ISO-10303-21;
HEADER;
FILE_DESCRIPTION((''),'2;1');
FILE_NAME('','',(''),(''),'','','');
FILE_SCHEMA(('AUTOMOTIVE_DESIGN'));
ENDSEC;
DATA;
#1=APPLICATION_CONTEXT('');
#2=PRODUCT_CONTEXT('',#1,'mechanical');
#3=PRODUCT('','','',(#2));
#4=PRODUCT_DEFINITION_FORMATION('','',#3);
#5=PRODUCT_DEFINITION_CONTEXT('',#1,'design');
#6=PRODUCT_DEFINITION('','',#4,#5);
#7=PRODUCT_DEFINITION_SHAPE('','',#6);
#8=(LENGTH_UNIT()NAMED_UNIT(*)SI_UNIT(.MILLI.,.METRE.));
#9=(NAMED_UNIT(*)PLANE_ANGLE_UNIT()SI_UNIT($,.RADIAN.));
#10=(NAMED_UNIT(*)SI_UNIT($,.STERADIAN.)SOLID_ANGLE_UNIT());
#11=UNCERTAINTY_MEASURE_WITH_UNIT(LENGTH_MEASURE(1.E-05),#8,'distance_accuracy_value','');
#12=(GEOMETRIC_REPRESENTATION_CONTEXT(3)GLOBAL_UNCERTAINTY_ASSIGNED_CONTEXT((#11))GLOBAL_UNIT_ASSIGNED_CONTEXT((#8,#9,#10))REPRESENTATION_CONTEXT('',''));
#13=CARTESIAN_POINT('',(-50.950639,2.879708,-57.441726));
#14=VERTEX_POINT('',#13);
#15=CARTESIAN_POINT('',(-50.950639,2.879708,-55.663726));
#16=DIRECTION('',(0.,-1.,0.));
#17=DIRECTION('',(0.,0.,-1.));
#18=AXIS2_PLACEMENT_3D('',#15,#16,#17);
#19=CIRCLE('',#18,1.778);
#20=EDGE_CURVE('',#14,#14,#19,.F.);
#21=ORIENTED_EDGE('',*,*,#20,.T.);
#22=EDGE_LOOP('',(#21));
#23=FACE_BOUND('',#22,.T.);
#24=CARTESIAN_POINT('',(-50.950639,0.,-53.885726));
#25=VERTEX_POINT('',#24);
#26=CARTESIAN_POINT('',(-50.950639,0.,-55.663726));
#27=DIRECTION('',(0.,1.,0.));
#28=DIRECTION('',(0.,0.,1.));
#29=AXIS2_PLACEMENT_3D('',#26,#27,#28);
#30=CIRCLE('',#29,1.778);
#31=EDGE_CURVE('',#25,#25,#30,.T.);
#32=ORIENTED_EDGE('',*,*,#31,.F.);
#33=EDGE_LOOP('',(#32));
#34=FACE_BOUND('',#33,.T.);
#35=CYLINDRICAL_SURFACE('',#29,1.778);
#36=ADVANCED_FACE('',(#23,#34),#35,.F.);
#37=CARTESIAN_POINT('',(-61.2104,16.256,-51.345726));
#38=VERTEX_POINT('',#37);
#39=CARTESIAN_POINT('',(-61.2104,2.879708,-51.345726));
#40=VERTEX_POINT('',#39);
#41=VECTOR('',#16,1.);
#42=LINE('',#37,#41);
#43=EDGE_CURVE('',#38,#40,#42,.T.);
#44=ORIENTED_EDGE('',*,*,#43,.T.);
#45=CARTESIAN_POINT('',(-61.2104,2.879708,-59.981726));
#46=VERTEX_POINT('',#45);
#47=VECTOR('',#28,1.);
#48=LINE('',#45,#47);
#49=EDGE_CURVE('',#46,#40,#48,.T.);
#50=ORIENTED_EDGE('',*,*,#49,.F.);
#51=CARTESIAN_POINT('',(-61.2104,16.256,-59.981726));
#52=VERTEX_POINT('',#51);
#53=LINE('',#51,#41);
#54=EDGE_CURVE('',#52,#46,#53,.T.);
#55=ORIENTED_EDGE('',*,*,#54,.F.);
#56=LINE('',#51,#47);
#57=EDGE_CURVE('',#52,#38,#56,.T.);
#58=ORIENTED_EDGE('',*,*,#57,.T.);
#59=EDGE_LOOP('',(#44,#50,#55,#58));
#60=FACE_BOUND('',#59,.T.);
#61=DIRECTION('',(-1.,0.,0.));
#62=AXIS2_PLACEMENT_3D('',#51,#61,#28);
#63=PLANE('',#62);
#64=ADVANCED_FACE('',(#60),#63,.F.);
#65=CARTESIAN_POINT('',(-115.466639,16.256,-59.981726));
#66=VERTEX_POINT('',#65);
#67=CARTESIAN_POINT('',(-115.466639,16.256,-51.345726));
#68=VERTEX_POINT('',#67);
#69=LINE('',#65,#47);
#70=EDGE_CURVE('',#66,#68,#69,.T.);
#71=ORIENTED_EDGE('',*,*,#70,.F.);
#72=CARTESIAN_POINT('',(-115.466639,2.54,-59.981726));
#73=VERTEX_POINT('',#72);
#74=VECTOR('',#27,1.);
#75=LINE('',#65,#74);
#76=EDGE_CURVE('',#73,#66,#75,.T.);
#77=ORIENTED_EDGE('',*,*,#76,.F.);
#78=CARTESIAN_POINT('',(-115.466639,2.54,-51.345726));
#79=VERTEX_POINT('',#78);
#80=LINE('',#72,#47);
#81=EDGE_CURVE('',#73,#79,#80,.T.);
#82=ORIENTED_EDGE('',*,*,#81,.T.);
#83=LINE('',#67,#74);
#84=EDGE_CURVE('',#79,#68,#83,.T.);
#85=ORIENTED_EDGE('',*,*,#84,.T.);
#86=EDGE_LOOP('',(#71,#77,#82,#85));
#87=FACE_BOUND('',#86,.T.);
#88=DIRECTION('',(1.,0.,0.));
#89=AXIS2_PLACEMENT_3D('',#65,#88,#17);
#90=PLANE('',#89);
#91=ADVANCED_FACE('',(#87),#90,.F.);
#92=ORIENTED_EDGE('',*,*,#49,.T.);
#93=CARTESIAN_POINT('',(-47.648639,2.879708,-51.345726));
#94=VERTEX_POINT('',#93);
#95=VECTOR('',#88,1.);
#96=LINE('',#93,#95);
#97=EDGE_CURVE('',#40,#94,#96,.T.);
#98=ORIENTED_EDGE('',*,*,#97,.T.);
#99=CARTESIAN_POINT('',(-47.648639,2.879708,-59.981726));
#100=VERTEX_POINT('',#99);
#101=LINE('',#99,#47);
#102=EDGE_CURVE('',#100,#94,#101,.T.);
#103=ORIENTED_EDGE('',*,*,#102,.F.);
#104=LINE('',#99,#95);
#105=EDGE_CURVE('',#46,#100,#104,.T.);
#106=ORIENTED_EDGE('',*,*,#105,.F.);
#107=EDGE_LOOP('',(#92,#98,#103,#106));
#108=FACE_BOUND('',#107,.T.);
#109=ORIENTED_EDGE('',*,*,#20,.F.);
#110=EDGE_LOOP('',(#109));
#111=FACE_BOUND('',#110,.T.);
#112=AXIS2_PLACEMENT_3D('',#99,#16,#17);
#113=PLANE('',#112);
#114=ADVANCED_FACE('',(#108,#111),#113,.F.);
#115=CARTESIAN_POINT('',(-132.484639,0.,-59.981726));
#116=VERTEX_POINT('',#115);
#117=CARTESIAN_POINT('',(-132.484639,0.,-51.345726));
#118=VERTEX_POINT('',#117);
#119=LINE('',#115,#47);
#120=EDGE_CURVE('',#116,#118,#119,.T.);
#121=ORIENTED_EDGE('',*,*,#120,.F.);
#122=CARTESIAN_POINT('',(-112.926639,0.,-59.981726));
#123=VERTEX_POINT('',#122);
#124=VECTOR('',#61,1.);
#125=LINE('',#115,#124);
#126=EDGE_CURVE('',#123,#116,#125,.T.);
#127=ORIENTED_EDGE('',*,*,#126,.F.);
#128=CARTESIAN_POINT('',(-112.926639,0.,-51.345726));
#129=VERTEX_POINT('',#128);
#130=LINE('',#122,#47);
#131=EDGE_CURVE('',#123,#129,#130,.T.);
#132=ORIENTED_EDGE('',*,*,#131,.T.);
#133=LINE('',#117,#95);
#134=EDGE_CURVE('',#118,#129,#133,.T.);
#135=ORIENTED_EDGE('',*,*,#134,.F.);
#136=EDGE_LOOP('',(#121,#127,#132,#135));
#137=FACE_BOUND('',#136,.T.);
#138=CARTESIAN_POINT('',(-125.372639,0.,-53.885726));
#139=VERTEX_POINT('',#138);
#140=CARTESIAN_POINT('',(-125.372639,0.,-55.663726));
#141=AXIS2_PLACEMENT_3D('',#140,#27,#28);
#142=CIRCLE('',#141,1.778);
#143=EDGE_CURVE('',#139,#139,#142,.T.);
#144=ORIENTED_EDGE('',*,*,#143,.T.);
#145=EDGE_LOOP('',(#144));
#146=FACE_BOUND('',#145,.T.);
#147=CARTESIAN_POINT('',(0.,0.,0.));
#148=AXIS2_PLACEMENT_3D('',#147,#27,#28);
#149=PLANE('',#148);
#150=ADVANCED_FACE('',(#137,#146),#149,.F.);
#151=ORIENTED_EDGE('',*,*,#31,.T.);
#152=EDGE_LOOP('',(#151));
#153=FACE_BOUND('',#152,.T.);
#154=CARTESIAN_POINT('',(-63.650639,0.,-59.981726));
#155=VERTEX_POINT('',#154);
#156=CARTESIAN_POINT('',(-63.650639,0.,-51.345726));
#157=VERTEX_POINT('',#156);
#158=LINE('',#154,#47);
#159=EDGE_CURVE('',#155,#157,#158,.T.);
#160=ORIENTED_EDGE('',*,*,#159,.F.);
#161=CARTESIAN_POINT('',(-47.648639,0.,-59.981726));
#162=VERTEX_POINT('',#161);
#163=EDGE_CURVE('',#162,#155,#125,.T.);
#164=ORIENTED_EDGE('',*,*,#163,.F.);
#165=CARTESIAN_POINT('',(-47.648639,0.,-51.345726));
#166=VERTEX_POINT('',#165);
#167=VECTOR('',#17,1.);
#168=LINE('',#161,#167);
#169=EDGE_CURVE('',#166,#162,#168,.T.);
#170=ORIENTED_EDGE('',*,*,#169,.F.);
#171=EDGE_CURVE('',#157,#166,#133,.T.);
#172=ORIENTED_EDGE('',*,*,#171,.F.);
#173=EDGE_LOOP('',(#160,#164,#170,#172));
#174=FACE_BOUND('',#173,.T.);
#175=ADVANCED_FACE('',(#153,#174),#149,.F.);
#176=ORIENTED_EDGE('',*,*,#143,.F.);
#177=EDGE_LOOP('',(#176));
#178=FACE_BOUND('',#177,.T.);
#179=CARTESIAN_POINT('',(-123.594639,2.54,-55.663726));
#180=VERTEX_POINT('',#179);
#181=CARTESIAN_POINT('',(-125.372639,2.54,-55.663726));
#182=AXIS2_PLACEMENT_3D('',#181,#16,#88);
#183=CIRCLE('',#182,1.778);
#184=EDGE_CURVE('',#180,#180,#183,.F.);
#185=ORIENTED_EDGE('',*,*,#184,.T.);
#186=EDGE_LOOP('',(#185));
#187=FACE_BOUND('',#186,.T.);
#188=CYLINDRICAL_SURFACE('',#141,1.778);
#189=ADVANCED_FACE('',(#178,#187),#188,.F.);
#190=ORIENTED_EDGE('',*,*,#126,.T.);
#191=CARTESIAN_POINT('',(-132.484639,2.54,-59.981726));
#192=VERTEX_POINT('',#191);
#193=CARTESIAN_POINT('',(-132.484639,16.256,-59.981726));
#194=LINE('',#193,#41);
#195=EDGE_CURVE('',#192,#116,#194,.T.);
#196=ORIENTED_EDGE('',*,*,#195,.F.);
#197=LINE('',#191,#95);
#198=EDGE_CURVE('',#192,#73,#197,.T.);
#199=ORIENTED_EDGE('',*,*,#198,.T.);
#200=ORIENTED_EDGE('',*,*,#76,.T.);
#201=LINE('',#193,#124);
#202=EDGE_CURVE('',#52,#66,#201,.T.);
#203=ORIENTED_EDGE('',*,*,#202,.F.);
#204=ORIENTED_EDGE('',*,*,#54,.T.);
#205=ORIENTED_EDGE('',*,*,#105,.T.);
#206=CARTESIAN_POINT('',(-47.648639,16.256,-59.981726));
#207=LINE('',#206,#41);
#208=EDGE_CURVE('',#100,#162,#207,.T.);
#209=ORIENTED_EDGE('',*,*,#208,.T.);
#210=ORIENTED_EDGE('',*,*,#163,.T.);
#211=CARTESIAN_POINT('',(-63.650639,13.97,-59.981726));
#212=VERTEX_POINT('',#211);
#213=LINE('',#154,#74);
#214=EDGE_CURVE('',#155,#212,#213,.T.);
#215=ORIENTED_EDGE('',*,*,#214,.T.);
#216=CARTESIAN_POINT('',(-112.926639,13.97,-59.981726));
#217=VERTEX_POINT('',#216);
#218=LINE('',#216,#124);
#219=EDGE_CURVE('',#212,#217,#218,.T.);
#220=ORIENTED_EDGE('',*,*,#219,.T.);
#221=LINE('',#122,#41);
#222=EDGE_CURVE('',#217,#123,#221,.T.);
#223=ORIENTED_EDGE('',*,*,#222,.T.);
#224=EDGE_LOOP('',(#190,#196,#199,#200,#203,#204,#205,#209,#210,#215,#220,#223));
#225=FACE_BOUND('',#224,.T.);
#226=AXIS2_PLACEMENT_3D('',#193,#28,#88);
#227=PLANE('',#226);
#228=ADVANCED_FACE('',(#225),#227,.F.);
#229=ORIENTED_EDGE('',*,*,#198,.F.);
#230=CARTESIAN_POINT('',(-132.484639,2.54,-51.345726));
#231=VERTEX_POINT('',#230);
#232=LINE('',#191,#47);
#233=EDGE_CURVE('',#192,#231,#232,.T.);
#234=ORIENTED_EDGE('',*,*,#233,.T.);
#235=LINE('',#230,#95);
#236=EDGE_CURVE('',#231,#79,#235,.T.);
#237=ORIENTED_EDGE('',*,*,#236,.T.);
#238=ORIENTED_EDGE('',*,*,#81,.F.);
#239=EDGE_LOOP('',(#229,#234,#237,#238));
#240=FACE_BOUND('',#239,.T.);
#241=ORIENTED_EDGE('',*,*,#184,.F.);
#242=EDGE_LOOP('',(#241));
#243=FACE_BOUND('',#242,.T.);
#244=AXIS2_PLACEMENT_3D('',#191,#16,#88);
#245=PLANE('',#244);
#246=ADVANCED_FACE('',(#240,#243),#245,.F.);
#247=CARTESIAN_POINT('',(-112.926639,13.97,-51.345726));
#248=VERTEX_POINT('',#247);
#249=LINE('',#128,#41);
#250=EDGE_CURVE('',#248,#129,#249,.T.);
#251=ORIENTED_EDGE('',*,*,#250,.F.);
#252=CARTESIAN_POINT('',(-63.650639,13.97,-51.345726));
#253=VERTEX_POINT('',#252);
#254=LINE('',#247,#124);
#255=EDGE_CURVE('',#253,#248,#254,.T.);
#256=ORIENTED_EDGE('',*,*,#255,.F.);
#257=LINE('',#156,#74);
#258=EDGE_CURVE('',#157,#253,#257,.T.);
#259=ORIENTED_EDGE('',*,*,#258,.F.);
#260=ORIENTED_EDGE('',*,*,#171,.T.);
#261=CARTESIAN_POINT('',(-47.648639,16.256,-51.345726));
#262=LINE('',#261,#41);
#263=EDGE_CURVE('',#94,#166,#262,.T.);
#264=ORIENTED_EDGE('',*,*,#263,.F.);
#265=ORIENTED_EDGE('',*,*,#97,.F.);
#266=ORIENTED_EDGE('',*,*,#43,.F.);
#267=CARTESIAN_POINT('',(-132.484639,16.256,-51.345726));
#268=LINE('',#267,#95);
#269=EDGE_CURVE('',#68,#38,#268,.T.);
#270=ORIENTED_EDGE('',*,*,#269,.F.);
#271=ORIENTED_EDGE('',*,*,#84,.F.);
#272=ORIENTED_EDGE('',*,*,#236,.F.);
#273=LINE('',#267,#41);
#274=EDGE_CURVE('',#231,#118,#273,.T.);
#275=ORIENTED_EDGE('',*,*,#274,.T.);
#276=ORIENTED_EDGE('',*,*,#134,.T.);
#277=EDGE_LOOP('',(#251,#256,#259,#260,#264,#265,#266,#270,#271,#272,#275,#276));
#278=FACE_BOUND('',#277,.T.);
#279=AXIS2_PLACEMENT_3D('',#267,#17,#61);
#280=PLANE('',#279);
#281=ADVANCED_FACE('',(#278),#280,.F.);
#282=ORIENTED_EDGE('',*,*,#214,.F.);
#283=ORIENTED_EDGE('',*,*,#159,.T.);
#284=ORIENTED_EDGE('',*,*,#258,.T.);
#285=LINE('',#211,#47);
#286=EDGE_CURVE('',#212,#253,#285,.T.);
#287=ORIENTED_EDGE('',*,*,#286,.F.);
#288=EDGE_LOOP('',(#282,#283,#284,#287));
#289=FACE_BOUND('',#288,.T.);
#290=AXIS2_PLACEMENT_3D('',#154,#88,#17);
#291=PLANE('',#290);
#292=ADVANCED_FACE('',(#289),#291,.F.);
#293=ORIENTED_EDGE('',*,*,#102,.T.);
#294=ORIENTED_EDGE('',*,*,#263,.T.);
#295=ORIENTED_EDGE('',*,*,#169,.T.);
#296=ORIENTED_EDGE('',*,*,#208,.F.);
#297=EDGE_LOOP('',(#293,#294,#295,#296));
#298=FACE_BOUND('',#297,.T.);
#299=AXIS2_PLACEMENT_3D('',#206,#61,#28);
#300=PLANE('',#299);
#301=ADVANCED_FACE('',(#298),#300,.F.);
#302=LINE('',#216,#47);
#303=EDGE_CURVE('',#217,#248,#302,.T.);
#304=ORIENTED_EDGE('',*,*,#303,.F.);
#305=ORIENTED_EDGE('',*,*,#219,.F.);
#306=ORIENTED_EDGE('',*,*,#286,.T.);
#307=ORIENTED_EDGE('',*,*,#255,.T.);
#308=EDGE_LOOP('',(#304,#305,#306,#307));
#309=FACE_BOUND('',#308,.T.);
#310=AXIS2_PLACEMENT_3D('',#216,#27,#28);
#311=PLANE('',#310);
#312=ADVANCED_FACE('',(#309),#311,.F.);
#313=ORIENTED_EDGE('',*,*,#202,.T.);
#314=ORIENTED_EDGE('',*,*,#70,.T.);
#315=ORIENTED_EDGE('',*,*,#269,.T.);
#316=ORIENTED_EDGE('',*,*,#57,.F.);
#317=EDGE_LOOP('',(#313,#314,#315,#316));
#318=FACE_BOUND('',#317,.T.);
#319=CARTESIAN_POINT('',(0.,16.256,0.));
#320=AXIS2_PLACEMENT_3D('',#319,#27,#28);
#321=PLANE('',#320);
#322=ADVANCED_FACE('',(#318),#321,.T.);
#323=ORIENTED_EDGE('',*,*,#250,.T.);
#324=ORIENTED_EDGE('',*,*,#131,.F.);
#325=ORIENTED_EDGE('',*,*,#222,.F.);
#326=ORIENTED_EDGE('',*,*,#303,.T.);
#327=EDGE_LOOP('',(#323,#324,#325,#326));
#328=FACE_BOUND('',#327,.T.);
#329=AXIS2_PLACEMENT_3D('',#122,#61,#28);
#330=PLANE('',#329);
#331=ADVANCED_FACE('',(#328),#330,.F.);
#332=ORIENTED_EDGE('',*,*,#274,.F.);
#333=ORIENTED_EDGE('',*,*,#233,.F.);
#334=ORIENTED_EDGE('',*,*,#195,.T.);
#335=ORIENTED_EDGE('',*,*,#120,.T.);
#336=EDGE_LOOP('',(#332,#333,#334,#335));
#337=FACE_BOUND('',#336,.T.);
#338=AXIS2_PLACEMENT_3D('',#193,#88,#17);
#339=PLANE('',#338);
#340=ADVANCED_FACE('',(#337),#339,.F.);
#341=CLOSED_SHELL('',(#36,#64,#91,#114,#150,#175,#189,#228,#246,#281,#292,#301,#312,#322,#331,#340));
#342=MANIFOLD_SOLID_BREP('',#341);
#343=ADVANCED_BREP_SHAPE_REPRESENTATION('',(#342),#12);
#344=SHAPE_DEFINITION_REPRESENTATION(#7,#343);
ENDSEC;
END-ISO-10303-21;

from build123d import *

# Parameters (mm, degrees)
SKETCH1_W           = 84.836
SKETCH1_H           = 8.636
BOSS_EXTRUDE1_DEPTH = 16.256
SKETCH2_W           = 49.276
SKETCH2_H           = 13.97
CUT_EXTRUDE1_DEPTH  = 134.757308654
SKETCH3_R           = 1.778
CUT_EXTRUDE2_DEPTH  = 147.33606739
SKETCH4_W           = 17.018
SKETCH4_H           = 13.716
SKETCH4_W_2         = 13.561760772
SKETCH4_H_2         = 13.376292463
CUT_EXTRUDE3_DEPTH  = 134.757308654


with BuildPart() as part:
    # Sketch1 → Boss-Extrude1 (new body)
    with BuildSketch(Plane(origin=(0, 0, 0), x_dir=(1, 0, 0), z_dir=(0, 1, 0))):
        with Locations((-90.066639058, 55.663726359)):
            Rectangle(SKETCH1_W, SKETCH1_H)
    extrude(amount=BOSS_EXTRUDE1_DEPTH)

    # Sketch2 → Cut-Extrude1 (cut, through all)
    with BuildSketch(Plane.XY.offset(-51.345726359)):
        with Locations((-88.288639058, 6.985)):
            Rectangle(SKETCH2_W, SKETCH2_H)
    extrude(amount=-CUT_EXTRUDE1_DEPTH, mode=Mode.SUBTRACT)

    # Sketch3 → Cut-Extrude2 (cut, through all)
    with BuildSketch(Plane(origin=(0, 16.256, 0), x_dir=(1, 0, 0), z_dir=(0, 1, 0))):
        with Locations(Location((-50.950639058, 55.663726359, 0), (0, 0, 270))):
            Circle(SKETCH3_R)
        with Locations(Location((-125.372639058, 55.663726359, 0), (0, 0, 270))):
            Circle(SKETCH3_R)
    extrude(amount=-CUT_EXTRUDE2_DEPTH, mode=Mode.SUBTRACT)

    # Sketch4 → Cut-Extrude3 (cut, through all)
    with BuildSketch(Plane.XY.offset(-51.345726359)):
        with Locations((-123.975639058, 9.398)):
            Rectangle(SKETCH4_W, SKETCH4_H)
        with Locations((-54.429519444, 9.567853769)):
            Rectangle(SKETCH4_W_2, SKETCH4_H_2)
    extrude(amount=-CUT_EXTRUDE3_DEPTH, mode=Mode.SUBTRACT)


solid = part.part
